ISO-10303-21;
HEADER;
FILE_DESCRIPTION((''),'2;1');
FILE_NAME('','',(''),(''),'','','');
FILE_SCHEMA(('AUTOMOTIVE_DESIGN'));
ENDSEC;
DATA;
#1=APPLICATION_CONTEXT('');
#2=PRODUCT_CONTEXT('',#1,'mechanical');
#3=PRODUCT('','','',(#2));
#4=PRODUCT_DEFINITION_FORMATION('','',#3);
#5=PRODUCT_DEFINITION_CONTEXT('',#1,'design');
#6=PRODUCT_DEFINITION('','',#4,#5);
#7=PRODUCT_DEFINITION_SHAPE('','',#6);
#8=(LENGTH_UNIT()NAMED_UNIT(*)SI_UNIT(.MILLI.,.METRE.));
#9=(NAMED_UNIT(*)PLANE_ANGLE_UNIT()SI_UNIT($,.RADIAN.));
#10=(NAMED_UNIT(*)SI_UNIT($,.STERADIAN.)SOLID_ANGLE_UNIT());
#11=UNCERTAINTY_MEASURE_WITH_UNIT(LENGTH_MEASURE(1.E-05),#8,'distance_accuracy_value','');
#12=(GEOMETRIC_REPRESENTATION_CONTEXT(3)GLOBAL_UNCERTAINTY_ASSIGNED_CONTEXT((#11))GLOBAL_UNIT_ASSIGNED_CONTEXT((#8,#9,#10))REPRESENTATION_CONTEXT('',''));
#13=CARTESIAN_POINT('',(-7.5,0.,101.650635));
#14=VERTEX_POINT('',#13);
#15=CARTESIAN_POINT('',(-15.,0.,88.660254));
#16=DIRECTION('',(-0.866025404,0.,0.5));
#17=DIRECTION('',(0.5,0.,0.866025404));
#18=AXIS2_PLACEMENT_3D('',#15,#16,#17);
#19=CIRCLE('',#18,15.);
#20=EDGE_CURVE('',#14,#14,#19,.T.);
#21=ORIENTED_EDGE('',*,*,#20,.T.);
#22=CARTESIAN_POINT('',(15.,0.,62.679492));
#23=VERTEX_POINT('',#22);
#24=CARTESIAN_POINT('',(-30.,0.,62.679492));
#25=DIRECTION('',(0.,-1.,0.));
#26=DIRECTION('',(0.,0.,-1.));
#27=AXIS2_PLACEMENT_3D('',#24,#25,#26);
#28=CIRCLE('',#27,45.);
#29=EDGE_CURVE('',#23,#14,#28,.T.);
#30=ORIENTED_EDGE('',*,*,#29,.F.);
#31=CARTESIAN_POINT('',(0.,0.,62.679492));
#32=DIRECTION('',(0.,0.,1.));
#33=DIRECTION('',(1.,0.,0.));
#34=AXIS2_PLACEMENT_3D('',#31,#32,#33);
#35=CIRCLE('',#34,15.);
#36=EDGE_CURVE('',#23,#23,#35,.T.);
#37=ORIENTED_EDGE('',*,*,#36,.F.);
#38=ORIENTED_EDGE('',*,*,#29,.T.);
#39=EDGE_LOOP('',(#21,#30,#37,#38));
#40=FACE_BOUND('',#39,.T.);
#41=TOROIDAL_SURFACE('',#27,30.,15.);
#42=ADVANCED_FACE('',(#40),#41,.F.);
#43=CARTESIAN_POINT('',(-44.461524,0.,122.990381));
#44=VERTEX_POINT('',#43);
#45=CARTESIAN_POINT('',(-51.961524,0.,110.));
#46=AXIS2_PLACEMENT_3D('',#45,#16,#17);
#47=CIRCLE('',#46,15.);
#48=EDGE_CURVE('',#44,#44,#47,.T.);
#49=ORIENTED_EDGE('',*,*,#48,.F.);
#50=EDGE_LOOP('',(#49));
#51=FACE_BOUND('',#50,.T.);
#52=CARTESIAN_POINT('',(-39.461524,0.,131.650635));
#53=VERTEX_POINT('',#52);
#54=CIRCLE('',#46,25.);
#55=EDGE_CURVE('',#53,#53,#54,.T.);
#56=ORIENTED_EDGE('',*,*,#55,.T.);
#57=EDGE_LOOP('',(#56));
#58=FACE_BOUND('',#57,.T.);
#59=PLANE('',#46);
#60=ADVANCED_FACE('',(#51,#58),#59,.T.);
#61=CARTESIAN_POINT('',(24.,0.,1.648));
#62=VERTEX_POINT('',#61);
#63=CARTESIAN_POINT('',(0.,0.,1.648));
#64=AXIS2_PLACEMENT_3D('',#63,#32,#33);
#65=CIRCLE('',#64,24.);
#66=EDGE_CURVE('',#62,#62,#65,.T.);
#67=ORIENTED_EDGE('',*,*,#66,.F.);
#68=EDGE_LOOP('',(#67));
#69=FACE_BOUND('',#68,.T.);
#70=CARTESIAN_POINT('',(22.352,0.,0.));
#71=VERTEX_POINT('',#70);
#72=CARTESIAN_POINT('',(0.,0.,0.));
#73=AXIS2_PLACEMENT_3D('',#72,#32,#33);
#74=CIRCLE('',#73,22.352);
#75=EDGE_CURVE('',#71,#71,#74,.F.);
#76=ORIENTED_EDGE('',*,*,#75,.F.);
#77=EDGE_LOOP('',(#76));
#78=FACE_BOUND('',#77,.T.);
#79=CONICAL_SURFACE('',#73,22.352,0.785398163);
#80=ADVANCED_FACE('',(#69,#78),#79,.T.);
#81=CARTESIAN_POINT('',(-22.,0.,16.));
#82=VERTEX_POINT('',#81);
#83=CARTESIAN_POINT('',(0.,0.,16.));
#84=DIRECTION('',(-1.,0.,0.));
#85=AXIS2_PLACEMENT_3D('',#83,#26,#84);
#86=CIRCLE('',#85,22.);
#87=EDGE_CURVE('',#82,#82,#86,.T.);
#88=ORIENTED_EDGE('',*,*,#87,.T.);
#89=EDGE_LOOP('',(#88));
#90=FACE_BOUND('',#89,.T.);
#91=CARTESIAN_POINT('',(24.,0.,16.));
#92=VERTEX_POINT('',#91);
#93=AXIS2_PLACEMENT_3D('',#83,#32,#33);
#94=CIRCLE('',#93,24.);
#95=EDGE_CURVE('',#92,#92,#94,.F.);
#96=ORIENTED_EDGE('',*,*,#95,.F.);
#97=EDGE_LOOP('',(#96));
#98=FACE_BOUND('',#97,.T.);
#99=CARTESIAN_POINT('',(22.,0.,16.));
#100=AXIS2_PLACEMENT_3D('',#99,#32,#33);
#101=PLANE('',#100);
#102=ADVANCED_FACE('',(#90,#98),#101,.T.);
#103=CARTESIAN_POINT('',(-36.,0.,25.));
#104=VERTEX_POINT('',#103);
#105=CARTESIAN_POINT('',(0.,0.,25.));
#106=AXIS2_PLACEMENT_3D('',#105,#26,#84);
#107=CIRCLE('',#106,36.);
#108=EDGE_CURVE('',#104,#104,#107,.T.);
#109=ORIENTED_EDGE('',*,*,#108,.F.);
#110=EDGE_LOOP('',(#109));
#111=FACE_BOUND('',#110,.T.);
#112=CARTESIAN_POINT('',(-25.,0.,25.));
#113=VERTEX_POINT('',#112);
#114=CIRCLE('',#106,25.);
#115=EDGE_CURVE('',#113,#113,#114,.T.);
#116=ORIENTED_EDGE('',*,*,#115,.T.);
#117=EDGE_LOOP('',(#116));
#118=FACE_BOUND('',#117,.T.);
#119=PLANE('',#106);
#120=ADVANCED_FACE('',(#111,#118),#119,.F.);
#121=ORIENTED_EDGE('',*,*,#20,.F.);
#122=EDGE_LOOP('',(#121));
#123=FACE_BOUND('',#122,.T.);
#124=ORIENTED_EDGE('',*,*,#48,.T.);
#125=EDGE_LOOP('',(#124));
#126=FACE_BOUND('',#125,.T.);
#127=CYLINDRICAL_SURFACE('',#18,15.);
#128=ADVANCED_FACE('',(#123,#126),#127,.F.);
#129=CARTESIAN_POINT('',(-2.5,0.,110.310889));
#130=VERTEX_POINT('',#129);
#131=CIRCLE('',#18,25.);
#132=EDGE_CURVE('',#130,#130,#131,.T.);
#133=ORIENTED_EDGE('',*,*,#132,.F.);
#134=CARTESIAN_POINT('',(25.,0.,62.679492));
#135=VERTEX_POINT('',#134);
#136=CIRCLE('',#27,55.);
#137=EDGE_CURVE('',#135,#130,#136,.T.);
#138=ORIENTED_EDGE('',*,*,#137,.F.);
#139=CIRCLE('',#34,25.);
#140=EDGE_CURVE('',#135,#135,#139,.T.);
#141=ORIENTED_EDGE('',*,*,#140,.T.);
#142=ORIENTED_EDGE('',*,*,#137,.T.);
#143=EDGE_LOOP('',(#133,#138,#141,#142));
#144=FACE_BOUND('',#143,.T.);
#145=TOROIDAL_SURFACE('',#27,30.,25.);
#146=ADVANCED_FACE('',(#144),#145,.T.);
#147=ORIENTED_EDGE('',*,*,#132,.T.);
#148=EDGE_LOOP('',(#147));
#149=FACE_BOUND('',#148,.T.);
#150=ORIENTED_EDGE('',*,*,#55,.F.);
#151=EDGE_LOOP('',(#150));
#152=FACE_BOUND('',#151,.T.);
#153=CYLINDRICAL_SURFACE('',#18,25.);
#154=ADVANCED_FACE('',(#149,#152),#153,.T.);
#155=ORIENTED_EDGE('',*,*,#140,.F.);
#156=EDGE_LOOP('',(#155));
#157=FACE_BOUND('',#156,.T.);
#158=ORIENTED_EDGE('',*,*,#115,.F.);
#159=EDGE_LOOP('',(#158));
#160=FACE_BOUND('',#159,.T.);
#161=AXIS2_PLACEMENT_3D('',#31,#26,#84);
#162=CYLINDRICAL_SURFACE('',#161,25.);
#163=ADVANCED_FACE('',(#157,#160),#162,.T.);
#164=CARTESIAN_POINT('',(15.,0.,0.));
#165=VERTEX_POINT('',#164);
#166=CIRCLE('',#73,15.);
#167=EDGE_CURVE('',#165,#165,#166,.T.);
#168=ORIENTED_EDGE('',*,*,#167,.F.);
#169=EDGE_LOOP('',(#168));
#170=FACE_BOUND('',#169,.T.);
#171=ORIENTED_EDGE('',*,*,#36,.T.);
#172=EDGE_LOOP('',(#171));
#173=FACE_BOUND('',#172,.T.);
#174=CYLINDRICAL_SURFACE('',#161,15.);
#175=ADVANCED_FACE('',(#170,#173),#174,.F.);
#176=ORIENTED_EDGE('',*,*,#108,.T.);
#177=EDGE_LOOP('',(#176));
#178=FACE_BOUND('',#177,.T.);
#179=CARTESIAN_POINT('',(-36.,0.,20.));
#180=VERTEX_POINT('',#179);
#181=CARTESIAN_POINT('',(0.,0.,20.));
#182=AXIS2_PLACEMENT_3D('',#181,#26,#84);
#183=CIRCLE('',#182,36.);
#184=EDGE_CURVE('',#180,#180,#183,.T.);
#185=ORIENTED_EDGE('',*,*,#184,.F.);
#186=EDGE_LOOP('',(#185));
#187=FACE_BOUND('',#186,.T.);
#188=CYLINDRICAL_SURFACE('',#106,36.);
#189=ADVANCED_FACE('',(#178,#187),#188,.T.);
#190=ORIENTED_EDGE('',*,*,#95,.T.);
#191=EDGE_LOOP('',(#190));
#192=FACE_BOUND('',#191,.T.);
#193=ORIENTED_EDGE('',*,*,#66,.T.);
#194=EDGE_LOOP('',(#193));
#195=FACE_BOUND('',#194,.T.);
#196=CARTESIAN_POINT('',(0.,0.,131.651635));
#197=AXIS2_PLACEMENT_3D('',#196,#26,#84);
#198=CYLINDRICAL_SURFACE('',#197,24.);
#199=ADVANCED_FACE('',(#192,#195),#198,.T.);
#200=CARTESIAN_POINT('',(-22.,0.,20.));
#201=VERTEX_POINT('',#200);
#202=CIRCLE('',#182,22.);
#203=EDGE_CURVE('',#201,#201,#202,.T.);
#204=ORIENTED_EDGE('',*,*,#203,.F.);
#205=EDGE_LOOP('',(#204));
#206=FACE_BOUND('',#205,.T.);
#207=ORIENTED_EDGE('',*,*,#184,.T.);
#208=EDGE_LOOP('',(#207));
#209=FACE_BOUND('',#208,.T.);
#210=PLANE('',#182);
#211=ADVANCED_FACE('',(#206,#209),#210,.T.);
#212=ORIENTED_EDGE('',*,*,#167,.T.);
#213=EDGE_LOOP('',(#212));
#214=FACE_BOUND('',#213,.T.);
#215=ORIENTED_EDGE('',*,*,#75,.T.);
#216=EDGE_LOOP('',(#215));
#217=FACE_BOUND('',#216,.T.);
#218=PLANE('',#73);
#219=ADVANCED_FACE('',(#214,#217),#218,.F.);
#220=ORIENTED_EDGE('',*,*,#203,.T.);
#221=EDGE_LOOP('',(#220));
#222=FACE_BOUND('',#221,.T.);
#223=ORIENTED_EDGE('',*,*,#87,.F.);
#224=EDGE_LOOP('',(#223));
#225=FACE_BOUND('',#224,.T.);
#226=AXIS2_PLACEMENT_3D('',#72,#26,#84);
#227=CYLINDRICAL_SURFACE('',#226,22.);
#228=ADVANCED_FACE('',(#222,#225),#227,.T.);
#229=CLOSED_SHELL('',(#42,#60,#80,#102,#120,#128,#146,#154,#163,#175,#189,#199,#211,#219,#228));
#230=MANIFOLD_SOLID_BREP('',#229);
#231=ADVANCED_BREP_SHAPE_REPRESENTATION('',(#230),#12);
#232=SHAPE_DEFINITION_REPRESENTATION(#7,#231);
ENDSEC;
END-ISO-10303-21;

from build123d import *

# Parameters (mm, degrees)
SKETCH_1_R          = 25
SKETCH_1_R_2        = 15
EXTRUDE_START       = -20
SKETCH_3_R          = 36
SKETCH_3_R_2        = 25
EXTRUDE_2_DEPTH     = 5
SKETCH_4_W          = 10
SKETCH_4_H          = 4
CUT_EXTRUDE_1_REACH = 133.651
SKETCH_5_R          = 25
SKETCH_5_R_2        = 24
CHAMFER_1_SIZE      = 1.648


with BuildPart() as part:
    # По траектории1: sweep along a path in Эскиз2
    with BuildLine(Plane(origin=(0, 0, 0), x_dir=(1, 0, 0), z_dir=(0, 1, 0))) as sweep_1_path:
        Line((0, 0), (0, -62.679491924))
        ThreePointArc((0, -62.679491924), (-4.019237886, -77.679491924), (-15, -88.660254038))
        Line((-15, -88.660254038), (-51.961524227, -110))
    # Эскиз1 → По траектории1 (sweep)
    with BuildSketch(Plane.XY):
        Circle(SKETCH_1_R)
        Circle(SKETCH_1_R_2, mode=Mode.SUBTRACT)
    sweep(path=sweep_1_path.line)

    # Эскиз3 → Бобышка-Вытянуть2 (add)
    with BuildSketch(Plane(origin=(0, 0, 0), x_dir=(-1, 0, 0), z_dir=(0, 0, -1)).offset(EXTRUDE_START)):
        Circle(SKETCH_3_R)
        Circle(SKETCH_3_R_2, mode=Mode.SUBTRACT)
    extrude(amount=-EXTRUDE_2_DEPTH)

    # Эскиз4 → Вырез-Повернуть1 (revolve, cut)
    with BuildSketch(Plane(origin=(0, 0, 0), x_dir=(1, 0, 0), z_dir=(0, 1, 0))):
        with Locations((27, -18)):
            Rectangle(SKETCH_4_W, SKETCH_4_H)
    revolve(axis=Axis((0, 0, 0), (0, 0, 1)), mode=Mode.SUBTRACT)

    # Эскиз5 → Вырез-Вытянуть1 (cut, up to next)
    with BuildSketch(Plane(origin=(0, 0, 0), x_dir=(-1, 0, 0), z_dir=(0, 0, -1)), mode=Mode.PRIVATE) as cut_extrude_1_sk1:
        Circle(SKETCH_5_R)
        Circle(SKETCH_5_R_2, mode=Mode.SUBTRACT)
    cut_extrude_1_tool1 = extrude(cut_extrude_1_sk1.sketch, amount=-CUT_EXTRUDE_1_REACH, mode=Mode.PRIVATE) & part.part
    add(cut_extrude_1_tool1.solids().sort_by_distance((24.292893, 0, 0))[0], mode=Mode.SUBTRACT)

    # Фаска1
    chamfer_1_edges = [part.edges().sort_by_distance(p)[0] for p in [
        (24, 0, 0),
    ]]
    chamfer(chamfer_1_edges, length=CHAMFER_1_SIZE)


solid = part.part
